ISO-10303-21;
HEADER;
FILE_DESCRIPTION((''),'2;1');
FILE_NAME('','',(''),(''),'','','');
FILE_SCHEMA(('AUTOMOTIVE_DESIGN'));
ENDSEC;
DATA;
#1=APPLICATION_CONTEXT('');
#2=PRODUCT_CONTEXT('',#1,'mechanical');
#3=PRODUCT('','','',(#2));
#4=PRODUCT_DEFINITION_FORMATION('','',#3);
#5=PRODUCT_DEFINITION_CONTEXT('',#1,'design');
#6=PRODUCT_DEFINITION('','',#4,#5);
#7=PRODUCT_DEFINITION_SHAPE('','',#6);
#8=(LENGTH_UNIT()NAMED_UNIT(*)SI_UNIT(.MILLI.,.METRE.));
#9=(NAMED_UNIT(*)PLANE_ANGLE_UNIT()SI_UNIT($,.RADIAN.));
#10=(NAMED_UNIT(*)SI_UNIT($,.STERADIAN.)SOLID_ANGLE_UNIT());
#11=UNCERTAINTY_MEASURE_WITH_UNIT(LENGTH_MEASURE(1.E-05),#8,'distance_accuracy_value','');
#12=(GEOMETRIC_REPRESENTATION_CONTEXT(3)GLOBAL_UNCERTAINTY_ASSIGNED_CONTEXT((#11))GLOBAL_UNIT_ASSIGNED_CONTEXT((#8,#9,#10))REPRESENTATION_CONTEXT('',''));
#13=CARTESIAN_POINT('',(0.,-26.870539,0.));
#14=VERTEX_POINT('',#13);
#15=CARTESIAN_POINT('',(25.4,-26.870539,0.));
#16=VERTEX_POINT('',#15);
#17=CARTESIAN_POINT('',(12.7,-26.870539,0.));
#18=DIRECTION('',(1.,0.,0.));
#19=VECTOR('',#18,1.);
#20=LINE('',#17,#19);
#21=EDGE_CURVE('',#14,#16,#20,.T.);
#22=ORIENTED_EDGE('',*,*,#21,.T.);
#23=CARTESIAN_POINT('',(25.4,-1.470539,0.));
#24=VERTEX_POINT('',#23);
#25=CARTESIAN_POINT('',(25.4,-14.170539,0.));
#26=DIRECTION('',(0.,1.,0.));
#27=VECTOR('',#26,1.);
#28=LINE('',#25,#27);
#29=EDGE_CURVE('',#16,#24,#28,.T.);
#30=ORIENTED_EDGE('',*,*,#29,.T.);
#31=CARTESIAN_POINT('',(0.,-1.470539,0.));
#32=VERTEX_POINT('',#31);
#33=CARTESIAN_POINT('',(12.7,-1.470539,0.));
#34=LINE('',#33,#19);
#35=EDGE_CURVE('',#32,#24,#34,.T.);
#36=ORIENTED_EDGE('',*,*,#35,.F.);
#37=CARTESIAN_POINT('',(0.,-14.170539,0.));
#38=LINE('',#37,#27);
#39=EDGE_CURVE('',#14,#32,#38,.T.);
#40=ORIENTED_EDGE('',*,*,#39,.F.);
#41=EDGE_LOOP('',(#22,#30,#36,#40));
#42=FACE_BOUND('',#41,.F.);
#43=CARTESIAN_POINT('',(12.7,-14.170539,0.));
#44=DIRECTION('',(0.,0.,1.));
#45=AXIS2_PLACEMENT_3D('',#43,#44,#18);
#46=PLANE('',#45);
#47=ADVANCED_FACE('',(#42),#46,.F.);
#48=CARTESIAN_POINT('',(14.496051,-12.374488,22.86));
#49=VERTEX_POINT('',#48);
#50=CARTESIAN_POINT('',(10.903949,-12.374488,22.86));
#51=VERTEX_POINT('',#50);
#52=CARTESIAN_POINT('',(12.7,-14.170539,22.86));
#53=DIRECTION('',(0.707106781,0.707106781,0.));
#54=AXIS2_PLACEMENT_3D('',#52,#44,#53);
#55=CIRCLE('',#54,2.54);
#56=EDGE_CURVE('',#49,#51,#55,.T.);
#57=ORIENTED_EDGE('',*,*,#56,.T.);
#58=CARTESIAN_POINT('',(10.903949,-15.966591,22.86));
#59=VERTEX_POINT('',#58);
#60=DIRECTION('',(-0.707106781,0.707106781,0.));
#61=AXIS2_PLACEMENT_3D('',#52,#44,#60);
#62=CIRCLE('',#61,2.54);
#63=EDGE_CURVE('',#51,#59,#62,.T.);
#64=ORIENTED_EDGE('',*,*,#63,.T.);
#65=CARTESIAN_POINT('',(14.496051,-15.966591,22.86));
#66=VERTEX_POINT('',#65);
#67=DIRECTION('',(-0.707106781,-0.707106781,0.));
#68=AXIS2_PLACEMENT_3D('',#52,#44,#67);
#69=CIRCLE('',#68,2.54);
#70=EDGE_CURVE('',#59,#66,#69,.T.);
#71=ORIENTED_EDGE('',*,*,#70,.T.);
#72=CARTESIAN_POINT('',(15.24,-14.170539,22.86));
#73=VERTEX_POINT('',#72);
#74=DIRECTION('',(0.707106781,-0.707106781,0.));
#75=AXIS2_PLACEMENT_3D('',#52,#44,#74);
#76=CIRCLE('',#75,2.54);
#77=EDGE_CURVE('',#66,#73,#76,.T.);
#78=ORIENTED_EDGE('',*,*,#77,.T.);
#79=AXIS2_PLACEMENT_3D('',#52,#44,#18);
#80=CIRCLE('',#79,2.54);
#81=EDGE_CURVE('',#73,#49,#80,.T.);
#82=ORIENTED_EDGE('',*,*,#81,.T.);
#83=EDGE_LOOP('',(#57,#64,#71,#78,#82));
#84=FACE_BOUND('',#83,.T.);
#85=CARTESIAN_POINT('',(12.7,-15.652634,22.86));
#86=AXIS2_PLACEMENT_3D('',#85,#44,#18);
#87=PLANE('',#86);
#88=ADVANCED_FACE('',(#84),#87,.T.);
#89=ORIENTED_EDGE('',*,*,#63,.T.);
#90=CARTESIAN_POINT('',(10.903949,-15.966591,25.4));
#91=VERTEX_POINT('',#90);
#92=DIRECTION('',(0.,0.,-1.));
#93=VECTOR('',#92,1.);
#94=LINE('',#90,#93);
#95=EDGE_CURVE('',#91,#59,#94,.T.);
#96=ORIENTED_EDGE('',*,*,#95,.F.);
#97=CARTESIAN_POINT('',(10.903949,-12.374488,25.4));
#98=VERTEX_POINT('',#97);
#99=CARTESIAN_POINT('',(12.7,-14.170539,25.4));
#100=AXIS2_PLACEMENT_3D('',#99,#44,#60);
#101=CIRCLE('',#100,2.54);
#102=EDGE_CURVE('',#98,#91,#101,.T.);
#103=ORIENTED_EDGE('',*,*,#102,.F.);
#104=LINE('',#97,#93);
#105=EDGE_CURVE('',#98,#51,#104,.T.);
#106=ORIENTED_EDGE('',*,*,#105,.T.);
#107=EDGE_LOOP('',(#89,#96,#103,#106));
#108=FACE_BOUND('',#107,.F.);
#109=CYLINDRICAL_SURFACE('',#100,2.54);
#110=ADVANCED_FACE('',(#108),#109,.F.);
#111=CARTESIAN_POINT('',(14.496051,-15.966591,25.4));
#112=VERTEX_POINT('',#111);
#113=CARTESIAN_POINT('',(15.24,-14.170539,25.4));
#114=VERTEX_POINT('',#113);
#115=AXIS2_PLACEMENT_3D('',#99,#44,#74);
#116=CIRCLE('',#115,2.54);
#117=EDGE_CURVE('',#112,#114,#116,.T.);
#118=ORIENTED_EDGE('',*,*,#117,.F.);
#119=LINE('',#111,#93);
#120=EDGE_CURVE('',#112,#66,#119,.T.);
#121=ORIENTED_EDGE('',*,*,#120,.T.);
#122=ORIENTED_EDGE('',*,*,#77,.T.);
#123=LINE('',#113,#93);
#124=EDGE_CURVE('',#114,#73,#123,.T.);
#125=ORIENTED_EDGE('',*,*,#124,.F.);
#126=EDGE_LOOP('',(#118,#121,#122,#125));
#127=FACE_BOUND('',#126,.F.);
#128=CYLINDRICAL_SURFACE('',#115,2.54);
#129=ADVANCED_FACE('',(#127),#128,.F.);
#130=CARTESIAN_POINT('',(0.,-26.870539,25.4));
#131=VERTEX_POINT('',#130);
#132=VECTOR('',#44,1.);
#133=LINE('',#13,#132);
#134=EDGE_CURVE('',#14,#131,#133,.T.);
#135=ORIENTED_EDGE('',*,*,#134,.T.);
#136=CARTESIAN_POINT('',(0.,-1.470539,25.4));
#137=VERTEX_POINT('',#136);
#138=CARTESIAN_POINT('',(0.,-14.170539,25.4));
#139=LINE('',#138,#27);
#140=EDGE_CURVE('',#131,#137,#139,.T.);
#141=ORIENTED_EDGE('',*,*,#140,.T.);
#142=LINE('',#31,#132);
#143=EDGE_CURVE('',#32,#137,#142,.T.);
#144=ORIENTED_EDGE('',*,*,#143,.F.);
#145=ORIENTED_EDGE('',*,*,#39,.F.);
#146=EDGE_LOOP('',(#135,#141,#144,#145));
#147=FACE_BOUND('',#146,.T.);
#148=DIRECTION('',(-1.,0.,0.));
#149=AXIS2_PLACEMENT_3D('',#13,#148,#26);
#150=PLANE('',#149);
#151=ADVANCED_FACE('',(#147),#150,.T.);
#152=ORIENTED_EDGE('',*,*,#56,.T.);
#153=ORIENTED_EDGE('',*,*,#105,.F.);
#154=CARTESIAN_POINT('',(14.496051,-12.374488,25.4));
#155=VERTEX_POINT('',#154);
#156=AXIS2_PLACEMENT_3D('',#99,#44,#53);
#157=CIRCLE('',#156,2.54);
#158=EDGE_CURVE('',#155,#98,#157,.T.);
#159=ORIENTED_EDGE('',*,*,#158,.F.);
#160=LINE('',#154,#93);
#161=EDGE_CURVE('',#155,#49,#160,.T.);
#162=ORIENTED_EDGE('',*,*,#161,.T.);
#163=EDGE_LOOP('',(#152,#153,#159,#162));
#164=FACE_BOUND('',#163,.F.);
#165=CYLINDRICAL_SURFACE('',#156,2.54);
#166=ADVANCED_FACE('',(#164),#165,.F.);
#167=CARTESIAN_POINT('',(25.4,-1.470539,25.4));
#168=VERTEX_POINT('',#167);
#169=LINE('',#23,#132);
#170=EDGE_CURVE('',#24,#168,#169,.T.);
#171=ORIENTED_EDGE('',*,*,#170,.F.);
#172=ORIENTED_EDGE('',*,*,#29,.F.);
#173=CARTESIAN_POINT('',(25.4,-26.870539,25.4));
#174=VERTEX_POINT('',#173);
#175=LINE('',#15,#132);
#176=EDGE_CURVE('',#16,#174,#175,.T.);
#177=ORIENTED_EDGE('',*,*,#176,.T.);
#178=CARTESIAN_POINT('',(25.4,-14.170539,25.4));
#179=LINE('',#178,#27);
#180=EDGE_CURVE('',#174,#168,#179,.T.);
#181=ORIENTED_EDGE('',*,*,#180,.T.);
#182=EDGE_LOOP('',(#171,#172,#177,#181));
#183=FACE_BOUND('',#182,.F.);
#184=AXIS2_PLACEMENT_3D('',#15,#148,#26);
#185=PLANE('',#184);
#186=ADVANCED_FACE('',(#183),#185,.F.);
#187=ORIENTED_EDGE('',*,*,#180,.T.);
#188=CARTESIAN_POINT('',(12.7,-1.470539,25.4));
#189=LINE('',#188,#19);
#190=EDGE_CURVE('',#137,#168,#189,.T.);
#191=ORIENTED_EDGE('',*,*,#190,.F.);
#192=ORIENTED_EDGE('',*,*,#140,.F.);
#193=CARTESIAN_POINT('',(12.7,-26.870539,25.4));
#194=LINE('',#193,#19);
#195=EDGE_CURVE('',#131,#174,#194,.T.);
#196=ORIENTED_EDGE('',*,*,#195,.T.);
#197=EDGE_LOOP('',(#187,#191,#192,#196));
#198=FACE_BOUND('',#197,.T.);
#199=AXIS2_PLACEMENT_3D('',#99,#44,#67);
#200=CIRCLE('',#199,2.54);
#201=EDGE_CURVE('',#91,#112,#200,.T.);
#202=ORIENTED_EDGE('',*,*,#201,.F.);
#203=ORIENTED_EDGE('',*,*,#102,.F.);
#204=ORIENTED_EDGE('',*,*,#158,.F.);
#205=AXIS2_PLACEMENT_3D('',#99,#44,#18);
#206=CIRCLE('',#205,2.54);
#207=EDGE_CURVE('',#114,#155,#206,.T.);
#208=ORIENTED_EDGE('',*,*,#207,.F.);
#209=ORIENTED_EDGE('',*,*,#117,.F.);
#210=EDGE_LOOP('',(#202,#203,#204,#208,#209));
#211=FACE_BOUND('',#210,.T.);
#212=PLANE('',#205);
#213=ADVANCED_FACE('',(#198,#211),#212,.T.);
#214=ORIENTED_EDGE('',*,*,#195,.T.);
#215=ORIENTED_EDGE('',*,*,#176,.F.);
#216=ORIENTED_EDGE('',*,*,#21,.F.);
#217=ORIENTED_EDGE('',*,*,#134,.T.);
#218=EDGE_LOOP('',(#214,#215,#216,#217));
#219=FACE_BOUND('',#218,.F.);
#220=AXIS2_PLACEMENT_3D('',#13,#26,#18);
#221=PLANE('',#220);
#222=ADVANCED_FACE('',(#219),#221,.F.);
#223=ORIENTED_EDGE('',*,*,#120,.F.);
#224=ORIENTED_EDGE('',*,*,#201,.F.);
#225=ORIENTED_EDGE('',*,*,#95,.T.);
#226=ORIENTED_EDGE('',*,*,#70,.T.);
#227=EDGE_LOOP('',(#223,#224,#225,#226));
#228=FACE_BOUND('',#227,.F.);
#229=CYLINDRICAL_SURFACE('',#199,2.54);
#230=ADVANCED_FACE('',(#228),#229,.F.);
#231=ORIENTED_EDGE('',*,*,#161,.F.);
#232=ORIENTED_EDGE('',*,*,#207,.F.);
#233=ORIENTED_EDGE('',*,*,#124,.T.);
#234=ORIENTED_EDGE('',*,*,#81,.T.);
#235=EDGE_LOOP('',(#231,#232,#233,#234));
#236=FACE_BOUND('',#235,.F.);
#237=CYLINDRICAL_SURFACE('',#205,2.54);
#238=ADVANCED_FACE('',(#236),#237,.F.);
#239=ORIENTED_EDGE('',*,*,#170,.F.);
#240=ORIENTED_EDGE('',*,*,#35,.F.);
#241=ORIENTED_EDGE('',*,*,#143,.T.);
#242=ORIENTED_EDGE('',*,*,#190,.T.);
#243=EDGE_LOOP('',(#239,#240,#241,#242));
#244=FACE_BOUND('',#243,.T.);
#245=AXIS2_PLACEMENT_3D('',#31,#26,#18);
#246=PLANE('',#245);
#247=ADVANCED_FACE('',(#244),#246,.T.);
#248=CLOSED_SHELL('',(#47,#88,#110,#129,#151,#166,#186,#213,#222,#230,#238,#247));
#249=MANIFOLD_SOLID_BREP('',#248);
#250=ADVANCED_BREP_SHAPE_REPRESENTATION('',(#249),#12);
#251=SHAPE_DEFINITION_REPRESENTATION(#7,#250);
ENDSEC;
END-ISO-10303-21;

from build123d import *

# Parameters (mm, degrees)
F0_W     = 25.4
F0_H     = 25.4
F1_DEPTH = 25.4
F3_DEPTH = 2.54


with BuildPart() as f1:
    # F0 (on Top) → F1 (new body)
    with BuildSketch(Plane.XY):
        with Locations((12.7, -14.1705394119)):
            Rectangle(F0_W, F0_H)
    extrude(amount=F1_DEPTH)

    # F2 (on face) → F3 (cut)
    with BuildSketch(Plane.XY.offset(25.4)):
        with BuildLine():
            Line((14.4960512242, -15.9665906361), (12.7, -14.1705394119))
            Line((12.7, -14.1705394119), (10.9039487758, -15.9665906361))
            ThreePointArc((10.9039487758, -15.9665906361), (12.7, -16.7105394119), (14.4960512242, -15.9665906361))
        make_face()
        with BuildLine():
            Line((14.4960512242, -12.3744881877), (12.7, -14.1705394119))
            Line((12.7, -14.1705394119), (14.4960512242, -15.9665906361))
            ThreePointArc((14.4960512242, -15.9665906361), (15.0466540126, -15.1425553301), (15.24, -14.1705394119))
            ThreePointArc((15.24, -14.1705394119), (15.0466540126, -13.1985234937), (14.4960512242, -12.3744881877))
        make_face()
        with BuildLine():
            ThreePointArc((14.4960512242, -12.3744881877), (12.7, -11.6305394119), (10.9039487758, -12.3744881877))
            Line((10.9039487758, -12.3744881877), (12.7, -14.1705394119))
            Line((12.7, -14.1705394119), (14.4960512242, -12.3744881877))
        make_face()
        with BuildLine():
            Line((12.7, -14.1705394119), (10.9039487758, -12.3744881877))
            ThreePointArc((10.9039487758, -12.3744881877), (10.16, -14.1705394119), (10.9039487758, -15.9665906361))
            Line((10.9039487758, -15.9665906361), (12.7, -14.1705394119))
        make_face()
    extrude(amount=-F3_DEPTH, mode=Mode.SUBTRACT)


solid = f1.part
